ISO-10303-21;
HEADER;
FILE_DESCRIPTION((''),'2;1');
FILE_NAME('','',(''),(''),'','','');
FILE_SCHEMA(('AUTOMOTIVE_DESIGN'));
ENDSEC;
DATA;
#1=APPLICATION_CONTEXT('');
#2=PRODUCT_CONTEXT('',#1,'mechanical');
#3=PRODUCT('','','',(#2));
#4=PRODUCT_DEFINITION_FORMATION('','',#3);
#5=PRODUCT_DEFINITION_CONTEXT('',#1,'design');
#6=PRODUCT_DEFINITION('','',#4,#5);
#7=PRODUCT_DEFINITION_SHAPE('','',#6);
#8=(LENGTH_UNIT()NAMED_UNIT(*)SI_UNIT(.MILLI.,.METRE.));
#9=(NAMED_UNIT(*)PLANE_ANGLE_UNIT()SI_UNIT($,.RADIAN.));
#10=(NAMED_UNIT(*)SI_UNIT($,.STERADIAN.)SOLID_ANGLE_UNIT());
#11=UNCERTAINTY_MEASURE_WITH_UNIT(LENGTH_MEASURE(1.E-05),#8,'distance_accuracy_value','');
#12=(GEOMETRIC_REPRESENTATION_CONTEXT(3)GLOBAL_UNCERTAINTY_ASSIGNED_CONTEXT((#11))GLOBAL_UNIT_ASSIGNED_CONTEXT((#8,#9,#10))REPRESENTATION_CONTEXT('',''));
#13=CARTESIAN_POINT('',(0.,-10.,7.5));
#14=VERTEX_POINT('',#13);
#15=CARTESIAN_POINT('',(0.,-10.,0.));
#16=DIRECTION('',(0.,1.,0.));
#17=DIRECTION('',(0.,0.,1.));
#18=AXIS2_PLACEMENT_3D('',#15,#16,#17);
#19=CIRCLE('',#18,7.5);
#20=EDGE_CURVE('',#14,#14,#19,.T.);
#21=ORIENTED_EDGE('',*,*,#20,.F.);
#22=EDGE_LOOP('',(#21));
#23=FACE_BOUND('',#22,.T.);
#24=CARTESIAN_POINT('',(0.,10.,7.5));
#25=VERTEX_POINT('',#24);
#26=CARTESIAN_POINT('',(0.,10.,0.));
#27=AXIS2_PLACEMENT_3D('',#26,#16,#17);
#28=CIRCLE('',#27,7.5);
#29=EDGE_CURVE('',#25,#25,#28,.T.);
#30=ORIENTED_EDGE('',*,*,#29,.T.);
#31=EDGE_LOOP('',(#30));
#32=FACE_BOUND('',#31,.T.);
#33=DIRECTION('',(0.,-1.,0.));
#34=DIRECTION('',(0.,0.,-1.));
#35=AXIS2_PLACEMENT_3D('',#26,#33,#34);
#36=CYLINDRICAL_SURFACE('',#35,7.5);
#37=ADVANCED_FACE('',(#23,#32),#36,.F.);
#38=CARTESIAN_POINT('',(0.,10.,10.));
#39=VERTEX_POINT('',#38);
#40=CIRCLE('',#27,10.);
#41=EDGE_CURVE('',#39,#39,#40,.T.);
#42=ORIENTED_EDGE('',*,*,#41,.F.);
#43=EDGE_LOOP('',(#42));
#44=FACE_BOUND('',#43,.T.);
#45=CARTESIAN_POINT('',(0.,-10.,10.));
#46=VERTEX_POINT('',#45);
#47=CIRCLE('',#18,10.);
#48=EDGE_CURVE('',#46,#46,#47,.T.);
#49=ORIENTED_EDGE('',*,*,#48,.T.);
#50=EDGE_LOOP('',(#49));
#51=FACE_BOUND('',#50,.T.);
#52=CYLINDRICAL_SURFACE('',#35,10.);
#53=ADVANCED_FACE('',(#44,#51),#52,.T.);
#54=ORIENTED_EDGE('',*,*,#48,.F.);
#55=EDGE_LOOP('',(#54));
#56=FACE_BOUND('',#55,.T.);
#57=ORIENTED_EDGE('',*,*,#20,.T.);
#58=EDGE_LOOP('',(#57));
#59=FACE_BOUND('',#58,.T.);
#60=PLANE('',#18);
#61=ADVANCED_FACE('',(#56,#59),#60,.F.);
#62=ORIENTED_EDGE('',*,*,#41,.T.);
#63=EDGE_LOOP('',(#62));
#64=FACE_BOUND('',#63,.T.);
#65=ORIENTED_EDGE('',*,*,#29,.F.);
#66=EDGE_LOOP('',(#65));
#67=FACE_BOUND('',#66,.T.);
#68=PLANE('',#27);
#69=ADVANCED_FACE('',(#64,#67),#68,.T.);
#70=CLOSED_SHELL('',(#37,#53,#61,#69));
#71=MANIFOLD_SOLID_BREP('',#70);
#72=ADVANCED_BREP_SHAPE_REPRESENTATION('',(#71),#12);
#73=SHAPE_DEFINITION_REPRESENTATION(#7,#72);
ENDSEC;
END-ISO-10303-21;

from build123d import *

# Parameters (mm, degrees)
SKETCH_2_R      = 10
SKETCH_2_R_2    = 7.5
EXTRUDE_1_DEPTH = 10


with BuildPart() as part:
    # 草图2 → 凸台-拉伸1 (new body, symmetric)
    with BuildSketch(Plane(origin=(0, 0, 0), x_dir=(1, 0, 0), z_dir=(0, 1, 0))):
        Circle(SKETCH_2_R)
        Circle(SKETCH_2_R_2, mode=Mode.SUBTRACT)
    extrude(amount=EXTRUDE_1_DEPTH, both=True)


solid = part.part
